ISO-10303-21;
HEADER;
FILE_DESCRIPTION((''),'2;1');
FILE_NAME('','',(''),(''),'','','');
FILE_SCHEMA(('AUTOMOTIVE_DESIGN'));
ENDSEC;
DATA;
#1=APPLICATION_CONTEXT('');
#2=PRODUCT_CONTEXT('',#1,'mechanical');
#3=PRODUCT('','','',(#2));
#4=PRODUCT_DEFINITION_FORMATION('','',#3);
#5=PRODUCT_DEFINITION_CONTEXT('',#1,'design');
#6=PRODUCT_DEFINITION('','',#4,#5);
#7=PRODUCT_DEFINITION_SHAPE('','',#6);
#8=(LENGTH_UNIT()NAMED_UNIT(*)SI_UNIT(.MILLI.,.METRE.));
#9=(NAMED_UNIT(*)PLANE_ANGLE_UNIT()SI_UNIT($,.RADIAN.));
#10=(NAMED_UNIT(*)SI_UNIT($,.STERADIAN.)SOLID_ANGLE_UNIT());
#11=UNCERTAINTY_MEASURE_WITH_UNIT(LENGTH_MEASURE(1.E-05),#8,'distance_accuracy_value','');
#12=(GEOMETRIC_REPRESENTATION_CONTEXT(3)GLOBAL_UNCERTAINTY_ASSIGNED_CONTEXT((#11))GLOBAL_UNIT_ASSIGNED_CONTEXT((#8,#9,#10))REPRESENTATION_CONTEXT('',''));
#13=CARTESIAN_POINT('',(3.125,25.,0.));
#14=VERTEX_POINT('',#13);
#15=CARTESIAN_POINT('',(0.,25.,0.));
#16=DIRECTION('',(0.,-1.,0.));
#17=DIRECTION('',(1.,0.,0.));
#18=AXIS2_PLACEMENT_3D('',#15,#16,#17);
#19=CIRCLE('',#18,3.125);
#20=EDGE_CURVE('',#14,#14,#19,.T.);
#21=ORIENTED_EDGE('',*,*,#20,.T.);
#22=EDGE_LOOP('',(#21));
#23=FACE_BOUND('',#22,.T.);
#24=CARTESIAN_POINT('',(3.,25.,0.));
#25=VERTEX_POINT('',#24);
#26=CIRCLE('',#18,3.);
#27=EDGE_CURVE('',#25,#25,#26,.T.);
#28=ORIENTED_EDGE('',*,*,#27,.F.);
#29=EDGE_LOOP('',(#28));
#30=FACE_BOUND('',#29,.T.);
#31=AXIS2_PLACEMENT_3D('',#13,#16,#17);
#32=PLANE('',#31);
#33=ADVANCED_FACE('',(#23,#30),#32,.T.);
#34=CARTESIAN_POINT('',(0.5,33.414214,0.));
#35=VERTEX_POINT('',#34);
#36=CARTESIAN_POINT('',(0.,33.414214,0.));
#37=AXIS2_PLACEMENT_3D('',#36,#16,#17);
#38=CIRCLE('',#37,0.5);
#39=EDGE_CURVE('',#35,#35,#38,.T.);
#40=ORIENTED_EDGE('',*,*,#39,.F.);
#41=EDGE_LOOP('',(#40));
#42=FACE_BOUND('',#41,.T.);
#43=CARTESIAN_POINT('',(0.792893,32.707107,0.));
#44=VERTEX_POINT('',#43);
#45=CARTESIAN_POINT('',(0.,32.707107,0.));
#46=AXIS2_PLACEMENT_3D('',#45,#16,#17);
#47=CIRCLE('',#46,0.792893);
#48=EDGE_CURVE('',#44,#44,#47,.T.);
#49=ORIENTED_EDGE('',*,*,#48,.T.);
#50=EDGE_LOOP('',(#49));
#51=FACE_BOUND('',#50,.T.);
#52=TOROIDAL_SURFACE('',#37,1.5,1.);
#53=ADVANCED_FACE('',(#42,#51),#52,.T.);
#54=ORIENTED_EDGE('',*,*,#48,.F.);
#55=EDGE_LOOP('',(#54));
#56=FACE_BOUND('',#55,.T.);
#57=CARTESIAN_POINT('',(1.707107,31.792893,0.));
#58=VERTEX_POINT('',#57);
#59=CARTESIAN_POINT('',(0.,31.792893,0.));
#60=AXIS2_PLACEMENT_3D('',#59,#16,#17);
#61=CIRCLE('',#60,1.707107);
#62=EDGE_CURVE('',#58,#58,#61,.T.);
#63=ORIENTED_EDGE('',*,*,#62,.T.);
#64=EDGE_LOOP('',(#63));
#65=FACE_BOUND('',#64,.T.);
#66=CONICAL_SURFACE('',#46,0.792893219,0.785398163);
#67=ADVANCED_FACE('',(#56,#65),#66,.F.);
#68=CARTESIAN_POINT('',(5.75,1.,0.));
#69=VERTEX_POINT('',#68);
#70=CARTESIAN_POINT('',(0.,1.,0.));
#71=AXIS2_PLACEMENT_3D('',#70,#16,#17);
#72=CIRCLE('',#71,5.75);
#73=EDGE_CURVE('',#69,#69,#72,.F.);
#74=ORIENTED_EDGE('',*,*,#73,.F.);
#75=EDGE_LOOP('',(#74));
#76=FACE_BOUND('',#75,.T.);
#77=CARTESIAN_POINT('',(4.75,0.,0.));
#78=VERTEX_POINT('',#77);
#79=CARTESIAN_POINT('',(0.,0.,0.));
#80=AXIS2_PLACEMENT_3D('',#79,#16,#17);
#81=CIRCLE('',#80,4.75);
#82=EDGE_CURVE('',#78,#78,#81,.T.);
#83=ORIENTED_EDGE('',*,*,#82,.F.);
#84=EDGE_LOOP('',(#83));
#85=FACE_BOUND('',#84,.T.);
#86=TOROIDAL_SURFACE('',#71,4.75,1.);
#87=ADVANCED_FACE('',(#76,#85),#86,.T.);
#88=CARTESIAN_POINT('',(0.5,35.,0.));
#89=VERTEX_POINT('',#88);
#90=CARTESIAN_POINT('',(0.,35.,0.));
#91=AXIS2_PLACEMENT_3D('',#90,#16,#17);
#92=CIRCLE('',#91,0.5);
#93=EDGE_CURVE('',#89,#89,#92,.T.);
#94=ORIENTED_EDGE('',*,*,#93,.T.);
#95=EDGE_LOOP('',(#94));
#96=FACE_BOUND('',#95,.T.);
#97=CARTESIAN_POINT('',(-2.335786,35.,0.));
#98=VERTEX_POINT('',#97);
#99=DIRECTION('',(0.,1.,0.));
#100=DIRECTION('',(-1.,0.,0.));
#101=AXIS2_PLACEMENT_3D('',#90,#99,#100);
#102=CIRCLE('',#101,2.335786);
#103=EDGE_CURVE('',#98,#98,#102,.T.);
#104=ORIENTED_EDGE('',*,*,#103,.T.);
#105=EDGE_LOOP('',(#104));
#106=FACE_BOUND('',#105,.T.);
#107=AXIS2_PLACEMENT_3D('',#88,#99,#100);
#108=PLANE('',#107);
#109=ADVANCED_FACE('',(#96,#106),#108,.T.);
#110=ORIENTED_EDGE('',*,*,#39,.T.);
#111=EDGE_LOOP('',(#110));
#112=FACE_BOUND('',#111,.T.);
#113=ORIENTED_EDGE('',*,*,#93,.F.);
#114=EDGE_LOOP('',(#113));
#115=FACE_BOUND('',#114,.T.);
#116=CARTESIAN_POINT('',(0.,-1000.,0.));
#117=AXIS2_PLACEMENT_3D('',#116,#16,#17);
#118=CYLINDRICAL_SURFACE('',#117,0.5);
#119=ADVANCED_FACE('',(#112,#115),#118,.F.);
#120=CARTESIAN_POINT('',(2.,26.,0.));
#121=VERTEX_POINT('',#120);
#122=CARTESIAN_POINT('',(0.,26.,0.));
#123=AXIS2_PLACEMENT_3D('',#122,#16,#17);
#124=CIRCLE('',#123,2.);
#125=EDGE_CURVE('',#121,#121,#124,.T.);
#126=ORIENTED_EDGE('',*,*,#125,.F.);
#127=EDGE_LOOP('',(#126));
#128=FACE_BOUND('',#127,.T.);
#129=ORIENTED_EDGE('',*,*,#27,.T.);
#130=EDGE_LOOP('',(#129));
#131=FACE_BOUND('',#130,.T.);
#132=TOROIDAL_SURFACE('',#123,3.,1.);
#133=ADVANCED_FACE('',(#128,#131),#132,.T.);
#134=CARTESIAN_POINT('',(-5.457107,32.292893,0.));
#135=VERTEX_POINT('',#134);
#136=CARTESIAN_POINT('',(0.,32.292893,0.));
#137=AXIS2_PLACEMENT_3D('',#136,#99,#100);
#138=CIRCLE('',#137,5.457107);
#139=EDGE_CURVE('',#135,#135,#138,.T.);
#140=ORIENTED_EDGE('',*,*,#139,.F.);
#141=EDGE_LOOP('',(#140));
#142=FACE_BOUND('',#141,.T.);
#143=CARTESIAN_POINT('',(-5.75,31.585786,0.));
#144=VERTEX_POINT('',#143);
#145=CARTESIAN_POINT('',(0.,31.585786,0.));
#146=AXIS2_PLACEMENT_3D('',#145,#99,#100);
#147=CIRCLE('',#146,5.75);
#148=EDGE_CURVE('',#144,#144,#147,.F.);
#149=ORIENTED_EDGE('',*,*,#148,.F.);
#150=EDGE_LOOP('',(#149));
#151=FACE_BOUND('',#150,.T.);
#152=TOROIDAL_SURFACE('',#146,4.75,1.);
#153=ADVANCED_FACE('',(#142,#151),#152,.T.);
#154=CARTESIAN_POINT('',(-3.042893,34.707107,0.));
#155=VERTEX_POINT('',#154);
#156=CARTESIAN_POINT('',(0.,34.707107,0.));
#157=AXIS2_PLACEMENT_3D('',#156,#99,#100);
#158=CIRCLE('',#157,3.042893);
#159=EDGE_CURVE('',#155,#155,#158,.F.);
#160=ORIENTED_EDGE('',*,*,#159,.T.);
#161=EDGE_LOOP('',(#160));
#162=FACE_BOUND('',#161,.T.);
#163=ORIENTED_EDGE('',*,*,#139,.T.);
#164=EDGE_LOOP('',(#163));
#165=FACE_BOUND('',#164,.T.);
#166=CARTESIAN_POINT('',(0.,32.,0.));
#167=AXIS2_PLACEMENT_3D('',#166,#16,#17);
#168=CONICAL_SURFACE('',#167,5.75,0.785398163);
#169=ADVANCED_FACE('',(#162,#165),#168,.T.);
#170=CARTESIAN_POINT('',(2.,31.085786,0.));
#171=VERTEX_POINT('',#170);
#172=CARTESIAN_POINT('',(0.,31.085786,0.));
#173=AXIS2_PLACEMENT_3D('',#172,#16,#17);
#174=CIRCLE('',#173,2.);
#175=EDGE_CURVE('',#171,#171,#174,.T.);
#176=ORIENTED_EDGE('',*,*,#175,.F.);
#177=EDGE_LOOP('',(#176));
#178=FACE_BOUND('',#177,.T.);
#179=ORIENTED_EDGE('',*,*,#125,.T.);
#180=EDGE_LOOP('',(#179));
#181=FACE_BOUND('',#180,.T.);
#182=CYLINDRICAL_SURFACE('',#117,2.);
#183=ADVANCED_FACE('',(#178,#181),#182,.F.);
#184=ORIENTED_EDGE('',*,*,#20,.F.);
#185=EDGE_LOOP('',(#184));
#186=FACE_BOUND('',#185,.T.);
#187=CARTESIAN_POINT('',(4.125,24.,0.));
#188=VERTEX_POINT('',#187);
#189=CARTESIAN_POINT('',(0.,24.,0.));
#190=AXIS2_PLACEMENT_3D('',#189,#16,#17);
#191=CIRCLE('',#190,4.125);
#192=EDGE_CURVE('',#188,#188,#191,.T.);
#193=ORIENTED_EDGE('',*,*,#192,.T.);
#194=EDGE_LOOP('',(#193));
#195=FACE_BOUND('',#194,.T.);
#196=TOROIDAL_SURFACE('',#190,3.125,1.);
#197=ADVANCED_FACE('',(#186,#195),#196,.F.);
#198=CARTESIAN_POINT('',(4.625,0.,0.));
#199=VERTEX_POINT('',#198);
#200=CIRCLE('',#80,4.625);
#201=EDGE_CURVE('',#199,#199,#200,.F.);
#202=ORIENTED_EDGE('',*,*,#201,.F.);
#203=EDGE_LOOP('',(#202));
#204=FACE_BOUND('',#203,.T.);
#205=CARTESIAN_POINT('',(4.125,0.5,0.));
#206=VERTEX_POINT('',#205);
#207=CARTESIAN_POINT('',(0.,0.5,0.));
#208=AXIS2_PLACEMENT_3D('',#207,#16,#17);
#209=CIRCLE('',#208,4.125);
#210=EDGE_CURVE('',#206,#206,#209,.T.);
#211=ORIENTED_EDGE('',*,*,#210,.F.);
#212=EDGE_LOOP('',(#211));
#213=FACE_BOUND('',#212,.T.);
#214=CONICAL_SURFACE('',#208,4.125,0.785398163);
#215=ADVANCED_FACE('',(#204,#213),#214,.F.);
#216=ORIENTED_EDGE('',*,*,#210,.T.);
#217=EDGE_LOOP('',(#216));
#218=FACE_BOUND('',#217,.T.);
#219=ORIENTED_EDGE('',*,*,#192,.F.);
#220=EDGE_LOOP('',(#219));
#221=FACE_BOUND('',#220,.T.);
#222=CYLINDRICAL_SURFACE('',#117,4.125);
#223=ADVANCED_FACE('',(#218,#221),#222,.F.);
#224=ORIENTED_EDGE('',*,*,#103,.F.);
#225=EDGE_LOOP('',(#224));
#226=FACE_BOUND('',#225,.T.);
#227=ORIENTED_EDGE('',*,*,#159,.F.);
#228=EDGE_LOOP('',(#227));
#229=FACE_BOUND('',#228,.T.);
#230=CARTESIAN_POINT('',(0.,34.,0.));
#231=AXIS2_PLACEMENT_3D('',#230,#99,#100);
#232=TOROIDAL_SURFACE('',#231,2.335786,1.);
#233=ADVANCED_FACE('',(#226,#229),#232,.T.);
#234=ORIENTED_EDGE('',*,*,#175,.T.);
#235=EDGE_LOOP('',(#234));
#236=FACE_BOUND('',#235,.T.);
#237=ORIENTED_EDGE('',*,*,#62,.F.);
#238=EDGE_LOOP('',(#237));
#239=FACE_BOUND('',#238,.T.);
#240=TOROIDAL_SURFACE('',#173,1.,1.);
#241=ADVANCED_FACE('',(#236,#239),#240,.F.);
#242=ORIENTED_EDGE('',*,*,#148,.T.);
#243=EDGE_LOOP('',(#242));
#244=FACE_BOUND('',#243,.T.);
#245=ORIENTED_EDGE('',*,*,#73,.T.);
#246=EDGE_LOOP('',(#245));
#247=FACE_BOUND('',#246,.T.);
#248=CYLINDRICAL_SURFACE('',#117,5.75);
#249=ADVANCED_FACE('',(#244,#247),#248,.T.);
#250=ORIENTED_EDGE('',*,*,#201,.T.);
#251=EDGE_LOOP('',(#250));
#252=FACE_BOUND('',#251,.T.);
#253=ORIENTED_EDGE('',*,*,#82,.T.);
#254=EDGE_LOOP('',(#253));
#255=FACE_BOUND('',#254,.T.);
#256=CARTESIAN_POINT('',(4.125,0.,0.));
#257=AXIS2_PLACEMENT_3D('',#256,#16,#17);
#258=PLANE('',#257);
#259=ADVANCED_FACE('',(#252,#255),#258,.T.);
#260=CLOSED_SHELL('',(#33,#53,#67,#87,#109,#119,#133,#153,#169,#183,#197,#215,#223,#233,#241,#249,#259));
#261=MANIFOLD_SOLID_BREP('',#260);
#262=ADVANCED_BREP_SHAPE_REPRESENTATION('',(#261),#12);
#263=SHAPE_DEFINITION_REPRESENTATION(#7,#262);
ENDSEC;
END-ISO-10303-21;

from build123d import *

# Parameters (mm, degrees)
CHAMFER1_SIZE = 3
FILLET1_R     = 1
CHAMFER2_SIZE = 0.5


with BuildPart() as part:
    # Sketch1 → Revolve1 (revolve)
    with BuildSketch(Plane.XY):
        with BuildLine():
            Line((5.75, 0), (5.75, 35))
            Line((5.75, 35), (0.5, 35))
            Line((0.5, 35), (0.5, 33.414213562))
            ThreePointArc((0.5, 33.414213562), (0.576120467, 33.03153013), (0.792893219, 32.707106781))
            Line((0.792893219, 32.707106781), (1.707106781, 31.792893219))
            ThreePointArc((1.707106781, 31.792893219), (1.923879533, 31.46846987), (2, 31.085786438))
            Line((2, 31.085786438), (2, 26))
            ThreePointArc((2, 26), (2.292893219, 25.292893219), (3, 25))
            Line((3, 25), (3.125, 25))
            ThreePointArc((3.125, 25), (3.832106781, 24.707106781), (4.125, 24))
            Line((4.125, 24), (4.125, 0))
            Line((4.125, 0), (5.75, 0))
        make_face()
    revolve(axis=Axis((0, -1000, 0), (0, 1, 0)))

    # Chamfer1
    chamfer1_edges = [part.edges().sort_by_distance(p)[0] for p in [
        (-5.75, 35, 0),
    ]]
    chamfer(chamfer1_edges, length=CHAMFER1_SIZE)

    # Fillet1
    fillet1_edges = [part.edges().sort_by_distance(p)[0] for p in [
        (-5.75, 0, 0),
        (-5.75, 32, 0),
        (-2.75, 35, 0),
    ]]
    fillet(fillet1_edges, radius=FILLET1_R)

    # Chamfer2
    chamfer2_edges = [part.edges().sort_by_distance(p)[0] for p in [
        (-4.125, 0, 0),
    ]]
    chamfer(chamfer2_edges, length=CHAMFER2_SIZE)


solid = part.part
